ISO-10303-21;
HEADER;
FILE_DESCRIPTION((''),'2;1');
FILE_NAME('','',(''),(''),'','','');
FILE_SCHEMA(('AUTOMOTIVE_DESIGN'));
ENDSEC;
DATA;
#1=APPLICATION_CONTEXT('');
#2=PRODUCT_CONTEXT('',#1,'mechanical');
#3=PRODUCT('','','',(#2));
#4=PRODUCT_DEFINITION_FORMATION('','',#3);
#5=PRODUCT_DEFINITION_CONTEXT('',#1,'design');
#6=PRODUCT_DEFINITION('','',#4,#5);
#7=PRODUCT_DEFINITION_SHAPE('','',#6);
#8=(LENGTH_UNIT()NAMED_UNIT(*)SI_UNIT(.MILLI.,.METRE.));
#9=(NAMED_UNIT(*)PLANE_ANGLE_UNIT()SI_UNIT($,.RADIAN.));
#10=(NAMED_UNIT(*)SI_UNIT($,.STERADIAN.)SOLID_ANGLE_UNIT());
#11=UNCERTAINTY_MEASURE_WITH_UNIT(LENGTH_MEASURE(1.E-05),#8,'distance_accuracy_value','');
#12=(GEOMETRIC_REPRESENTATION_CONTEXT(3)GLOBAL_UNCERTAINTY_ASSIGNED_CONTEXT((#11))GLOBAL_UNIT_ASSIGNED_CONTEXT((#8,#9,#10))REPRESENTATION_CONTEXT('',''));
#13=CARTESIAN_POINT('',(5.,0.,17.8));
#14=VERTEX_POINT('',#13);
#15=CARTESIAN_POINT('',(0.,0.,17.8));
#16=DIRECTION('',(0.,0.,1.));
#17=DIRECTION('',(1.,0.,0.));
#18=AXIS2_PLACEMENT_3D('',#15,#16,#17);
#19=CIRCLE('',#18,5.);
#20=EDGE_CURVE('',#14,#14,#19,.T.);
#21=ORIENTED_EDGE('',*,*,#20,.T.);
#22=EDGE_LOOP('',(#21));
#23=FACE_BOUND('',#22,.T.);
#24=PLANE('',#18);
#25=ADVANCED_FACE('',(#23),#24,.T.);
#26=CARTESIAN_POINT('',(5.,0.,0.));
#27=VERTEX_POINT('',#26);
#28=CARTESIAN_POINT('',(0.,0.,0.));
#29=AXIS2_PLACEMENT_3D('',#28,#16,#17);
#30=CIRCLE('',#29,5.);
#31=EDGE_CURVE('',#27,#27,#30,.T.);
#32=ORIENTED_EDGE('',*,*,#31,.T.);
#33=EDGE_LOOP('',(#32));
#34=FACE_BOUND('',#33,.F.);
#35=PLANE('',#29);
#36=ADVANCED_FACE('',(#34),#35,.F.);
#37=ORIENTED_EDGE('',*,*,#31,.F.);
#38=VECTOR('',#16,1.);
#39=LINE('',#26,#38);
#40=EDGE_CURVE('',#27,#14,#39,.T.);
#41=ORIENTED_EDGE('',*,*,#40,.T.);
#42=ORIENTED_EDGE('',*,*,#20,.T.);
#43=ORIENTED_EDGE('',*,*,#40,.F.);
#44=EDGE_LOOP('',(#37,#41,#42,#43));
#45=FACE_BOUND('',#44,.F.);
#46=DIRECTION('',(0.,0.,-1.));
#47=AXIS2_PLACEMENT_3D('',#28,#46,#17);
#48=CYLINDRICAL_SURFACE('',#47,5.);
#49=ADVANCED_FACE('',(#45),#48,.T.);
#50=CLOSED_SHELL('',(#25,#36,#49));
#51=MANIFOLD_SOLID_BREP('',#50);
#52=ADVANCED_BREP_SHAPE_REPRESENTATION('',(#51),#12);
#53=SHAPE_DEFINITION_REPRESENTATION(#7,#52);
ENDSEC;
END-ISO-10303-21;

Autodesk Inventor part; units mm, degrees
ref_plane "YZ Plane" through (0, 0, 0) normal (1, 0, 0) x (0, 1, 0)
ref_plane "XZ Plane" through (0, 0, 0) normal (0, 1, 0) x (-1, 0, 0)
ref_plane "XY Plane" through (0, 0, 0) normal (0, 0, 1) x (1, 0, 0)
sketch "Skizze1" plane through (0, 0, 0) normal (0, 0, 1) x (1, 0, 0)
  circle A0 centre (0, 0) radius 5
  dimension "d0" = 10
extrude "Extrusion1" add sketch "Skizze1" along normal blind 17.8
properties part number "wellemotor1"
